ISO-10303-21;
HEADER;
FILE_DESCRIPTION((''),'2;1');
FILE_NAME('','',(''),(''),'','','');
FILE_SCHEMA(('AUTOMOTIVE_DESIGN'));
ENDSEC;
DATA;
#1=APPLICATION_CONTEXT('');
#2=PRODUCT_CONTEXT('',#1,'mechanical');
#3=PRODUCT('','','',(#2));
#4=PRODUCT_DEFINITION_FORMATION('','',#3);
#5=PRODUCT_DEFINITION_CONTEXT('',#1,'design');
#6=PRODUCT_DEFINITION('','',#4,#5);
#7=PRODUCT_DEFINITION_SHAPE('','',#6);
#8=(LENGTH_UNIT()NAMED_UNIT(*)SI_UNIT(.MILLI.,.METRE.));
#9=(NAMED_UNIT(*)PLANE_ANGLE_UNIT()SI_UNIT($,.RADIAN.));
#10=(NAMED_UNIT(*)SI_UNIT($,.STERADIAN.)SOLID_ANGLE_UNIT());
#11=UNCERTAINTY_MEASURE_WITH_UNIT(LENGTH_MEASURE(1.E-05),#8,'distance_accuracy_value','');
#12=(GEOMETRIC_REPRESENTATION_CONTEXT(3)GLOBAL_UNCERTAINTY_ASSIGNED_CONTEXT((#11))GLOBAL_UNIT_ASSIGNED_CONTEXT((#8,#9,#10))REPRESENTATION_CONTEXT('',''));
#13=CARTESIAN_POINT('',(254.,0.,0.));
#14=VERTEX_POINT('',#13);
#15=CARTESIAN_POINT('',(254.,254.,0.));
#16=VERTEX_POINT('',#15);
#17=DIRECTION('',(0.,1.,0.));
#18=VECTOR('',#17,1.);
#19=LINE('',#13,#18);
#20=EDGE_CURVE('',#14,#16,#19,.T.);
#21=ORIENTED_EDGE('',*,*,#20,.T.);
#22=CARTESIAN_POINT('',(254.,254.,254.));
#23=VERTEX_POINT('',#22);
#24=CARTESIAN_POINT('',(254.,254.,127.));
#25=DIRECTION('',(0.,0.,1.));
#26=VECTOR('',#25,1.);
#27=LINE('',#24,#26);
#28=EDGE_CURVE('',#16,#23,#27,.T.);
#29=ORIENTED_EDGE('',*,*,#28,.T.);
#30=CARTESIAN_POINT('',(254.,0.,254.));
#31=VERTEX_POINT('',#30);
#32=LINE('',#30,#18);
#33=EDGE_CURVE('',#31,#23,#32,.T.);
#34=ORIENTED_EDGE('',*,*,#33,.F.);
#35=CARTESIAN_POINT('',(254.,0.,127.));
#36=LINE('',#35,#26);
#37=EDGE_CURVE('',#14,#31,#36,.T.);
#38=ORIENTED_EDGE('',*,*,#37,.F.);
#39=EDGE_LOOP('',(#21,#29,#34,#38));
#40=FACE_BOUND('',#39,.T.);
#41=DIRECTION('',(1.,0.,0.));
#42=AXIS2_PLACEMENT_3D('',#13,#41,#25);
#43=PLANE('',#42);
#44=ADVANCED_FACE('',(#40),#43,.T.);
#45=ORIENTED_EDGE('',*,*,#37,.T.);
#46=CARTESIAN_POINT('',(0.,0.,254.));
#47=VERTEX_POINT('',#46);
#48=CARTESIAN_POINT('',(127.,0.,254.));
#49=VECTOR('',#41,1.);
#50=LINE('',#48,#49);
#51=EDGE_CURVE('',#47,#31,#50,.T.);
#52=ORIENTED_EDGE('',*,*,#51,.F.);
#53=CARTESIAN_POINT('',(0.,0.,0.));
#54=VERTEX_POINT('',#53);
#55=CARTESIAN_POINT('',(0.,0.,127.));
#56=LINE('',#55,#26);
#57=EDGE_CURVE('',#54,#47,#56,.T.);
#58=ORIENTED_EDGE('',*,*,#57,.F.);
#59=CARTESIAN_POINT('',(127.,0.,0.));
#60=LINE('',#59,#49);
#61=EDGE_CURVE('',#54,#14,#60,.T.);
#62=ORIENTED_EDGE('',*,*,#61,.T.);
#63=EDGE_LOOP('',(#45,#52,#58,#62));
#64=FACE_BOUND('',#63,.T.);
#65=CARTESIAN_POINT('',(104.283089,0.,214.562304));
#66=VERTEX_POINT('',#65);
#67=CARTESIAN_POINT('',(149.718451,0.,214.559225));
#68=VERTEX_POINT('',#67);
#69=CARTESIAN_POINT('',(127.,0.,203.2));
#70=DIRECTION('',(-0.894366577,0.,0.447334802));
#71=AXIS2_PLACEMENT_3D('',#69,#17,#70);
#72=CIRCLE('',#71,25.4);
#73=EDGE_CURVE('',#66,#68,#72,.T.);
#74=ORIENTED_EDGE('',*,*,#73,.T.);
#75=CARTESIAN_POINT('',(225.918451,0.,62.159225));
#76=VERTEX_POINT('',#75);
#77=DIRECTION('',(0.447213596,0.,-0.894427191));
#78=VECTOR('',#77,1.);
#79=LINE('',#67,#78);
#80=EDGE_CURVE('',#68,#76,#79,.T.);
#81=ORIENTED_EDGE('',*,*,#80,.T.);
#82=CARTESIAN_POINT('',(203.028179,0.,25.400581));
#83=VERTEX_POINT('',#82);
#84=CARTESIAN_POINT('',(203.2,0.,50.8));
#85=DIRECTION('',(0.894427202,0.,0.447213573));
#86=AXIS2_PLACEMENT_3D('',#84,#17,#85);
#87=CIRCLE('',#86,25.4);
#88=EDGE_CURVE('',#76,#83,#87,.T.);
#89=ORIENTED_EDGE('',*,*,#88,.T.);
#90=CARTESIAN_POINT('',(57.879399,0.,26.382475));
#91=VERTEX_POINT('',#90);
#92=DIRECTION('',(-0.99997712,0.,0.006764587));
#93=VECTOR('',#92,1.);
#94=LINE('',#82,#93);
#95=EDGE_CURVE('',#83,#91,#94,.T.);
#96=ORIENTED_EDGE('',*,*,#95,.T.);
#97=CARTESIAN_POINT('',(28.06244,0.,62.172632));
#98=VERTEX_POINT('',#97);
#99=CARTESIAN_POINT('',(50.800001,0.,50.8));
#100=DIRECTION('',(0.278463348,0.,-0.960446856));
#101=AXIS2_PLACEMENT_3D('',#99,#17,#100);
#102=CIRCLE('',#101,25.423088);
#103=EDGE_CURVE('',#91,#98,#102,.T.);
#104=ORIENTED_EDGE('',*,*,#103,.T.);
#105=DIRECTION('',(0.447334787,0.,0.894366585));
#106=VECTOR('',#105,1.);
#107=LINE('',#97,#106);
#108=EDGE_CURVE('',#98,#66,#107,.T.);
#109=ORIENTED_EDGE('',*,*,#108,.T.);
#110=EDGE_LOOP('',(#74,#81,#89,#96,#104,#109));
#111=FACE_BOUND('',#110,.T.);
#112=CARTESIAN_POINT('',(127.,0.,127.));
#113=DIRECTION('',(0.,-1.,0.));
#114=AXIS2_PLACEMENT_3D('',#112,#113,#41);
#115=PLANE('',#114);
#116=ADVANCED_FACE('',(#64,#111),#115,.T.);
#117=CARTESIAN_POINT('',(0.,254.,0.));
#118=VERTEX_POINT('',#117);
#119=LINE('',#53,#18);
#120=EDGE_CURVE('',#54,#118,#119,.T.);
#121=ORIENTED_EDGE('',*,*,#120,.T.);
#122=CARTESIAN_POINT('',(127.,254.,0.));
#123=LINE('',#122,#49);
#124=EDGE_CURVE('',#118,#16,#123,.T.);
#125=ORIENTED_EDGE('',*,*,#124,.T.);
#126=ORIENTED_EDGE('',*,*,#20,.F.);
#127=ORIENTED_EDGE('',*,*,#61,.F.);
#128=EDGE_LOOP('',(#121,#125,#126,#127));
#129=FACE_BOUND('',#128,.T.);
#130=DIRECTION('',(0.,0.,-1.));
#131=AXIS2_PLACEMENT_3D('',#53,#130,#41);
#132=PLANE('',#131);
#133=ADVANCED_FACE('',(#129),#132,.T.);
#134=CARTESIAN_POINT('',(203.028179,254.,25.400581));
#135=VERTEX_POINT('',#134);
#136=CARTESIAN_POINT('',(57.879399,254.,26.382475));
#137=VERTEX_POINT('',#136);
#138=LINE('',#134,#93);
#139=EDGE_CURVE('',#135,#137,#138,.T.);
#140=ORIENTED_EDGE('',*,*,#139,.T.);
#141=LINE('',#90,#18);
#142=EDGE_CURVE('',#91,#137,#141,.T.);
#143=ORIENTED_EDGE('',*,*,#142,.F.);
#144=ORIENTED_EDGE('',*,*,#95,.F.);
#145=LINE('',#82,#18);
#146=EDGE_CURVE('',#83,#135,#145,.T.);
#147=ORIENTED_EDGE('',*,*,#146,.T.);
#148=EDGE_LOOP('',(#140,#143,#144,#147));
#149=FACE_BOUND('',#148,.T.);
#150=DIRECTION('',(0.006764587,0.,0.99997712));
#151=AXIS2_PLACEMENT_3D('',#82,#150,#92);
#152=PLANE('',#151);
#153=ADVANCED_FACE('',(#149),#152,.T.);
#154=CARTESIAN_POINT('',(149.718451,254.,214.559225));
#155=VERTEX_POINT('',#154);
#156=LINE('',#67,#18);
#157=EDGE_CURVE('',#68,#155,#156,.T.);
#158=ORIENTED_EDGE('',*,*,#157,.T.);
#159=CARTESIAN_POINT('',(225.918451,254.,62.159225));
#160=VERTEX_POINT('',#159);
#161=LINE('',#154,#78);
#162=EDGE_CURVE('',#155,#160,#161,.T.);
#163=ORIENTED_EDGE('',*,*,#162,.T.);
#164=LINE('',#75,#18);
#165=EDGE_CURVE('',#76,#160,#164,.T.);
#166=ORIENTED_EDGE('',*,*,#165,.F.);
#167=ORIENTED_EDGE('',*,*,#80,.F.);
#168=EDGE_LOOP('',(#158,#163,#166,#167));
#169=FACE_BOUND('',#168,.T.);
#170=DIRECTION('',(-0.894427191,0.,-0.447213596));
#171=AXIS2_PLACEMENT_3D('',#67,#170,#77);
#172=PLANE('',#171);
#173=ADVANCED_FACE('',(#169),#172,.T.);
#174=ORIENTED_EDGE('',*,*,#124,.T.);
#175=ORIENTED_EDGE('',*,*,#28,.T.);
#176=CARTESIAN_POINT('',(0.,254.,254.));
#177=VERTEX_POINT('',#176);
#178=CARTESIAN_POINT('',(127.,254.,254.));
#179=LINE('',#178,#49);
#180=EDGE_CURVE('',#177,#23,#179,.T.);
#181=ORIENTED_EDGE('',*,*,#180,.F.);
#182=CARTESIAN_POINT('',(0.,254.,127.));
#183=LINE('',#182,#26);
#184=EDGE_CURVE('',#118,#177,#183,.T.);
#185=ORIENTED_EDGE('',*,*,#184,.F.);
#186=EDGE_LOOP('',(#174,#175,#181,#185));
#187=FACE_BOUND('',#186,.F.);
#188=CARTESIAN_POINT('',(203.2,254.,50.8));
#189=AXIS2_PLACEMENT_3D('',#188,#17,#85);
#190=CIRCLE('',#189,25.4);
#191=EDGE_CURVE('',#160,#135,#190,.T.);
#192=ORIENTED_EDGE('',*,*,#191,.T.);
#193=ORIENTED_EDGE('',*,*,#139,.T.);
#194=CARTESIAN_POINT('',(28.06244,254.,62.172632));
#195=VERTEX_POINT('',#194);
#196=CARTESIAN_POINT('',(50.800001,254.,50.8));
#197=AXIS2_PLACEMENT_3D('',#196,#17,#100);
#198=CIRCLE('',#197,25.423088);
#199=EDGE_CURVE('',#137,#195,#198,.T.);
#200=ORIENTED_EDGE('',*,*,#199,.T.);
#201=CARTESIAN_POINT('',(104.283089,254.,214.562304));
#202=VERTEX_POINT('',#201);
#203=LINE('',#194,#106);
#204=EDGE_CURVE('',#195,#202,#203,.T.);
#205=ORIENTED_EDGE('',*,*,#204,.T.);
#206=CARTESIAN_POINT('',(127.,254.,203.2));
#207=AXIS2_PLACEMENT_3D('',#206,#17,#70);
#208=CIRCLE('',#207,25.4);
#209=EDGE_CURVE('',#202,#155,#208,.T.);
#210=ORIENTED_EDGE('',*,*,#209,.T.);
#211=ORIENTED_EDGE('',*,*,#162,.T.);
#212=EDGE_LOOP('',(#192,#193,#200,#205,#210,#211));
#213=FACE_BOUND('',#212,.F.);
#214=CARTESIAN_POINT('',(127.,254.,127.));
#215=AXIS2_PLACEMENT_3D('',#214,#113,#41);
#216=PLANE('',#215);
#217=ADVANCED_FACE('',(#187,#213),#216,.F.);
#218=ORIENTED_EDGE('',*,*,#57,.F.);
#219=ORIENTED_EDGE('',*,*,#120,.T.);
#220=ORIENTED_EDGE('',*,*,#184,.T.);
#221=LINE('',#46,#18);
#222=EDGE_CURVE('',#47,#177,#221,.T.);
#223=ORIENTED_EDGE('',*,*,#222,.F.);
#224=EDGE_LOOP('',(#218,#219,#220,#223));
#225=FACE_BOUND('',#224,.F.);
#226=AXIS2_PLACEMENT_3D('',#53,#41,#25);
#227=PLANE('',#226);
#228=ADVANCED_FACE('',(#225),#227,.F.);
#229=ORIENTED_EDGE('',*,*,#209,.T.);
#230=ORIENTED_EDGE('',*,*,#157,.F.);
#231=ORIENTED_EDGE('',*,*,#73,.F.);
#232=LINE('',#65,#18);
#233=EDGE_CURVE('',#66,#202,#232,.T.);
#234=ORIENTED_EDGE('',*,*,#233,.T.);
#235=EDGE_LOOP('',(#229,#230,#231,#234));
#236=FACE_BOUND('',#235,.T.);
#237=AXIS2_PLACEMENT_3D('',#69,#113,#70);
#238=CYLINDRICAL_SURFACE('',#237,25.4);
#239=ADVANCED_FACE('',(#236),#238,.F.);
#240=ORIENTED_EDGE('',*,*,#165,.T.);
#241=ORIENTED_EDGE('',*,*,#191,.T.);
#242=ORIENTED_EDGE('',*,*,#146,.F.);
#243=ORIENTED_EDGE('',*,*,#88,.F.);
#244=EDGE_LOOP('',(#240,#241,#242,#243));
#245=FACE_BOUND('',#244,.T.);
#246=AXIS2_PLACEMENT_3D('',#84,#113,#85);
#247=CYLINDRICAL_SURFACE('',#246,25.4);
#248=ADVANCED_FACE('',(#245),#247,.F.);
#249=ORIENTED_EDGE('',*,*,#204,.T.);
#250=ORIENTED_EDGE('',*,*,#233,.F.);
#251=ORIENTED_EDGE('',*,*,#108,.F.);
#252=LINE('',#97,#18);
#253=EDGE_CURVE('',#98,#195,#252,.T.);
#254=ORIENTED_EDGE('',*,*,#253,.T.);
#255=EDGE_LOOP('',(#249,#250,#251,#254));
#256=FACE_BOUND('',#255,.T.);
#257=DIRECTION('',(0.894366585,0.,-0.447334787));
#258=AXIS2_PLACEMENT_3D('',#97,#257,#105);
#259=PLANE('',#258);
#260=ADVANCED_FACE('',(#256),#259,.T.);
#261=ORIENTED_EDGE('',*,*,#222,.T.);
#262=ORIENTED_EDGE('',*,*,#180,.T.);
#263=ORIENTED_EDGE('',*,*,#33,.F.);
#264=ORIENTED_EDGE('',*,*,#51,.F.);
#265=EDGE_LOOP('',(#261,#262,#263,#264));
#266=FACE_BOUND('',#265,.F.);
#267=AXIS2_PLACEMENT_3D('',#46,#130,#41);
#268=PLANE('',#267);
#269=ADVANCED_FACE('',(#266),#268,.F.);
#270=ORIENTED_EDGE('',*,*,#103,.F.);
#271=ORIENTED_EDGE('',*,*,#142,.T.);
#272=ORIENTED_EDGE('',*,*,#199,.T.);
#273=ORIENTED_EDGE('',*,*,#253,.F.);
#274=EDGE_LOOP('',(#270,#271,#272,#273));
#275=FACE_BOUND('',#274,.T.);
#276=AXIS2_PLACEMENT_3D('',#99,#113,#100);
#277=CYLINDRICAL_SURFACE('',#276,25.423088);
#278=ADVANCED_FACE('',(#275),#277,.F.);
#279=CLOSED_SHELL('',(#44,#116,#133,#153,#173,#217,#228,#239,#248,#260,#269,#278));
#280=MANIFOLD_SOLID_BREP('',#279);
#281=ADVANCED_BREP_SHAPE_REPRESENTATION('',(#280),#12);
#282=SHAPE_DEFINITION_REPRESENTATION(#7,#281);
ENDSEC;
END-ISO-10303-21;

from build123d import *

# Parameters (mm, degrees)
F0_W     = 254
F0_H     = 254
F1_DEPTH = 254


with BuildPart() as f1:
    # F0 (on Front) → F1 (new body)
    with BuildSketch(Plane.XZ):
        with Locations((127, 127)):
            Rectangle(F0_W, F0_H)
        with BuildLine():
            ThreePointArc((57.879399, 26.382475), (31.26725, 34.527168), (28.06244, 62.172632))
            Line((28.06244, 62.172632), (104.283089, 214.562304))
            ThreePointArc((104.283089, 214.562304), (127.001721, 228.6), (149.718451, 214.559225))
            Line((149.718451, 214.559225), (225.918451, 62.159225))
            ThreePointArc((225.918451, 62.159225), (224.761241, 37.373426), (203.028179, 25.400581))
            Line((203.028179, 25.400581), (57.879399, 26.382475))
        make_face(mode=Mode.SUBTRACT)
    extrude(amount=-F1_DEPTH)


solid = f1.part
